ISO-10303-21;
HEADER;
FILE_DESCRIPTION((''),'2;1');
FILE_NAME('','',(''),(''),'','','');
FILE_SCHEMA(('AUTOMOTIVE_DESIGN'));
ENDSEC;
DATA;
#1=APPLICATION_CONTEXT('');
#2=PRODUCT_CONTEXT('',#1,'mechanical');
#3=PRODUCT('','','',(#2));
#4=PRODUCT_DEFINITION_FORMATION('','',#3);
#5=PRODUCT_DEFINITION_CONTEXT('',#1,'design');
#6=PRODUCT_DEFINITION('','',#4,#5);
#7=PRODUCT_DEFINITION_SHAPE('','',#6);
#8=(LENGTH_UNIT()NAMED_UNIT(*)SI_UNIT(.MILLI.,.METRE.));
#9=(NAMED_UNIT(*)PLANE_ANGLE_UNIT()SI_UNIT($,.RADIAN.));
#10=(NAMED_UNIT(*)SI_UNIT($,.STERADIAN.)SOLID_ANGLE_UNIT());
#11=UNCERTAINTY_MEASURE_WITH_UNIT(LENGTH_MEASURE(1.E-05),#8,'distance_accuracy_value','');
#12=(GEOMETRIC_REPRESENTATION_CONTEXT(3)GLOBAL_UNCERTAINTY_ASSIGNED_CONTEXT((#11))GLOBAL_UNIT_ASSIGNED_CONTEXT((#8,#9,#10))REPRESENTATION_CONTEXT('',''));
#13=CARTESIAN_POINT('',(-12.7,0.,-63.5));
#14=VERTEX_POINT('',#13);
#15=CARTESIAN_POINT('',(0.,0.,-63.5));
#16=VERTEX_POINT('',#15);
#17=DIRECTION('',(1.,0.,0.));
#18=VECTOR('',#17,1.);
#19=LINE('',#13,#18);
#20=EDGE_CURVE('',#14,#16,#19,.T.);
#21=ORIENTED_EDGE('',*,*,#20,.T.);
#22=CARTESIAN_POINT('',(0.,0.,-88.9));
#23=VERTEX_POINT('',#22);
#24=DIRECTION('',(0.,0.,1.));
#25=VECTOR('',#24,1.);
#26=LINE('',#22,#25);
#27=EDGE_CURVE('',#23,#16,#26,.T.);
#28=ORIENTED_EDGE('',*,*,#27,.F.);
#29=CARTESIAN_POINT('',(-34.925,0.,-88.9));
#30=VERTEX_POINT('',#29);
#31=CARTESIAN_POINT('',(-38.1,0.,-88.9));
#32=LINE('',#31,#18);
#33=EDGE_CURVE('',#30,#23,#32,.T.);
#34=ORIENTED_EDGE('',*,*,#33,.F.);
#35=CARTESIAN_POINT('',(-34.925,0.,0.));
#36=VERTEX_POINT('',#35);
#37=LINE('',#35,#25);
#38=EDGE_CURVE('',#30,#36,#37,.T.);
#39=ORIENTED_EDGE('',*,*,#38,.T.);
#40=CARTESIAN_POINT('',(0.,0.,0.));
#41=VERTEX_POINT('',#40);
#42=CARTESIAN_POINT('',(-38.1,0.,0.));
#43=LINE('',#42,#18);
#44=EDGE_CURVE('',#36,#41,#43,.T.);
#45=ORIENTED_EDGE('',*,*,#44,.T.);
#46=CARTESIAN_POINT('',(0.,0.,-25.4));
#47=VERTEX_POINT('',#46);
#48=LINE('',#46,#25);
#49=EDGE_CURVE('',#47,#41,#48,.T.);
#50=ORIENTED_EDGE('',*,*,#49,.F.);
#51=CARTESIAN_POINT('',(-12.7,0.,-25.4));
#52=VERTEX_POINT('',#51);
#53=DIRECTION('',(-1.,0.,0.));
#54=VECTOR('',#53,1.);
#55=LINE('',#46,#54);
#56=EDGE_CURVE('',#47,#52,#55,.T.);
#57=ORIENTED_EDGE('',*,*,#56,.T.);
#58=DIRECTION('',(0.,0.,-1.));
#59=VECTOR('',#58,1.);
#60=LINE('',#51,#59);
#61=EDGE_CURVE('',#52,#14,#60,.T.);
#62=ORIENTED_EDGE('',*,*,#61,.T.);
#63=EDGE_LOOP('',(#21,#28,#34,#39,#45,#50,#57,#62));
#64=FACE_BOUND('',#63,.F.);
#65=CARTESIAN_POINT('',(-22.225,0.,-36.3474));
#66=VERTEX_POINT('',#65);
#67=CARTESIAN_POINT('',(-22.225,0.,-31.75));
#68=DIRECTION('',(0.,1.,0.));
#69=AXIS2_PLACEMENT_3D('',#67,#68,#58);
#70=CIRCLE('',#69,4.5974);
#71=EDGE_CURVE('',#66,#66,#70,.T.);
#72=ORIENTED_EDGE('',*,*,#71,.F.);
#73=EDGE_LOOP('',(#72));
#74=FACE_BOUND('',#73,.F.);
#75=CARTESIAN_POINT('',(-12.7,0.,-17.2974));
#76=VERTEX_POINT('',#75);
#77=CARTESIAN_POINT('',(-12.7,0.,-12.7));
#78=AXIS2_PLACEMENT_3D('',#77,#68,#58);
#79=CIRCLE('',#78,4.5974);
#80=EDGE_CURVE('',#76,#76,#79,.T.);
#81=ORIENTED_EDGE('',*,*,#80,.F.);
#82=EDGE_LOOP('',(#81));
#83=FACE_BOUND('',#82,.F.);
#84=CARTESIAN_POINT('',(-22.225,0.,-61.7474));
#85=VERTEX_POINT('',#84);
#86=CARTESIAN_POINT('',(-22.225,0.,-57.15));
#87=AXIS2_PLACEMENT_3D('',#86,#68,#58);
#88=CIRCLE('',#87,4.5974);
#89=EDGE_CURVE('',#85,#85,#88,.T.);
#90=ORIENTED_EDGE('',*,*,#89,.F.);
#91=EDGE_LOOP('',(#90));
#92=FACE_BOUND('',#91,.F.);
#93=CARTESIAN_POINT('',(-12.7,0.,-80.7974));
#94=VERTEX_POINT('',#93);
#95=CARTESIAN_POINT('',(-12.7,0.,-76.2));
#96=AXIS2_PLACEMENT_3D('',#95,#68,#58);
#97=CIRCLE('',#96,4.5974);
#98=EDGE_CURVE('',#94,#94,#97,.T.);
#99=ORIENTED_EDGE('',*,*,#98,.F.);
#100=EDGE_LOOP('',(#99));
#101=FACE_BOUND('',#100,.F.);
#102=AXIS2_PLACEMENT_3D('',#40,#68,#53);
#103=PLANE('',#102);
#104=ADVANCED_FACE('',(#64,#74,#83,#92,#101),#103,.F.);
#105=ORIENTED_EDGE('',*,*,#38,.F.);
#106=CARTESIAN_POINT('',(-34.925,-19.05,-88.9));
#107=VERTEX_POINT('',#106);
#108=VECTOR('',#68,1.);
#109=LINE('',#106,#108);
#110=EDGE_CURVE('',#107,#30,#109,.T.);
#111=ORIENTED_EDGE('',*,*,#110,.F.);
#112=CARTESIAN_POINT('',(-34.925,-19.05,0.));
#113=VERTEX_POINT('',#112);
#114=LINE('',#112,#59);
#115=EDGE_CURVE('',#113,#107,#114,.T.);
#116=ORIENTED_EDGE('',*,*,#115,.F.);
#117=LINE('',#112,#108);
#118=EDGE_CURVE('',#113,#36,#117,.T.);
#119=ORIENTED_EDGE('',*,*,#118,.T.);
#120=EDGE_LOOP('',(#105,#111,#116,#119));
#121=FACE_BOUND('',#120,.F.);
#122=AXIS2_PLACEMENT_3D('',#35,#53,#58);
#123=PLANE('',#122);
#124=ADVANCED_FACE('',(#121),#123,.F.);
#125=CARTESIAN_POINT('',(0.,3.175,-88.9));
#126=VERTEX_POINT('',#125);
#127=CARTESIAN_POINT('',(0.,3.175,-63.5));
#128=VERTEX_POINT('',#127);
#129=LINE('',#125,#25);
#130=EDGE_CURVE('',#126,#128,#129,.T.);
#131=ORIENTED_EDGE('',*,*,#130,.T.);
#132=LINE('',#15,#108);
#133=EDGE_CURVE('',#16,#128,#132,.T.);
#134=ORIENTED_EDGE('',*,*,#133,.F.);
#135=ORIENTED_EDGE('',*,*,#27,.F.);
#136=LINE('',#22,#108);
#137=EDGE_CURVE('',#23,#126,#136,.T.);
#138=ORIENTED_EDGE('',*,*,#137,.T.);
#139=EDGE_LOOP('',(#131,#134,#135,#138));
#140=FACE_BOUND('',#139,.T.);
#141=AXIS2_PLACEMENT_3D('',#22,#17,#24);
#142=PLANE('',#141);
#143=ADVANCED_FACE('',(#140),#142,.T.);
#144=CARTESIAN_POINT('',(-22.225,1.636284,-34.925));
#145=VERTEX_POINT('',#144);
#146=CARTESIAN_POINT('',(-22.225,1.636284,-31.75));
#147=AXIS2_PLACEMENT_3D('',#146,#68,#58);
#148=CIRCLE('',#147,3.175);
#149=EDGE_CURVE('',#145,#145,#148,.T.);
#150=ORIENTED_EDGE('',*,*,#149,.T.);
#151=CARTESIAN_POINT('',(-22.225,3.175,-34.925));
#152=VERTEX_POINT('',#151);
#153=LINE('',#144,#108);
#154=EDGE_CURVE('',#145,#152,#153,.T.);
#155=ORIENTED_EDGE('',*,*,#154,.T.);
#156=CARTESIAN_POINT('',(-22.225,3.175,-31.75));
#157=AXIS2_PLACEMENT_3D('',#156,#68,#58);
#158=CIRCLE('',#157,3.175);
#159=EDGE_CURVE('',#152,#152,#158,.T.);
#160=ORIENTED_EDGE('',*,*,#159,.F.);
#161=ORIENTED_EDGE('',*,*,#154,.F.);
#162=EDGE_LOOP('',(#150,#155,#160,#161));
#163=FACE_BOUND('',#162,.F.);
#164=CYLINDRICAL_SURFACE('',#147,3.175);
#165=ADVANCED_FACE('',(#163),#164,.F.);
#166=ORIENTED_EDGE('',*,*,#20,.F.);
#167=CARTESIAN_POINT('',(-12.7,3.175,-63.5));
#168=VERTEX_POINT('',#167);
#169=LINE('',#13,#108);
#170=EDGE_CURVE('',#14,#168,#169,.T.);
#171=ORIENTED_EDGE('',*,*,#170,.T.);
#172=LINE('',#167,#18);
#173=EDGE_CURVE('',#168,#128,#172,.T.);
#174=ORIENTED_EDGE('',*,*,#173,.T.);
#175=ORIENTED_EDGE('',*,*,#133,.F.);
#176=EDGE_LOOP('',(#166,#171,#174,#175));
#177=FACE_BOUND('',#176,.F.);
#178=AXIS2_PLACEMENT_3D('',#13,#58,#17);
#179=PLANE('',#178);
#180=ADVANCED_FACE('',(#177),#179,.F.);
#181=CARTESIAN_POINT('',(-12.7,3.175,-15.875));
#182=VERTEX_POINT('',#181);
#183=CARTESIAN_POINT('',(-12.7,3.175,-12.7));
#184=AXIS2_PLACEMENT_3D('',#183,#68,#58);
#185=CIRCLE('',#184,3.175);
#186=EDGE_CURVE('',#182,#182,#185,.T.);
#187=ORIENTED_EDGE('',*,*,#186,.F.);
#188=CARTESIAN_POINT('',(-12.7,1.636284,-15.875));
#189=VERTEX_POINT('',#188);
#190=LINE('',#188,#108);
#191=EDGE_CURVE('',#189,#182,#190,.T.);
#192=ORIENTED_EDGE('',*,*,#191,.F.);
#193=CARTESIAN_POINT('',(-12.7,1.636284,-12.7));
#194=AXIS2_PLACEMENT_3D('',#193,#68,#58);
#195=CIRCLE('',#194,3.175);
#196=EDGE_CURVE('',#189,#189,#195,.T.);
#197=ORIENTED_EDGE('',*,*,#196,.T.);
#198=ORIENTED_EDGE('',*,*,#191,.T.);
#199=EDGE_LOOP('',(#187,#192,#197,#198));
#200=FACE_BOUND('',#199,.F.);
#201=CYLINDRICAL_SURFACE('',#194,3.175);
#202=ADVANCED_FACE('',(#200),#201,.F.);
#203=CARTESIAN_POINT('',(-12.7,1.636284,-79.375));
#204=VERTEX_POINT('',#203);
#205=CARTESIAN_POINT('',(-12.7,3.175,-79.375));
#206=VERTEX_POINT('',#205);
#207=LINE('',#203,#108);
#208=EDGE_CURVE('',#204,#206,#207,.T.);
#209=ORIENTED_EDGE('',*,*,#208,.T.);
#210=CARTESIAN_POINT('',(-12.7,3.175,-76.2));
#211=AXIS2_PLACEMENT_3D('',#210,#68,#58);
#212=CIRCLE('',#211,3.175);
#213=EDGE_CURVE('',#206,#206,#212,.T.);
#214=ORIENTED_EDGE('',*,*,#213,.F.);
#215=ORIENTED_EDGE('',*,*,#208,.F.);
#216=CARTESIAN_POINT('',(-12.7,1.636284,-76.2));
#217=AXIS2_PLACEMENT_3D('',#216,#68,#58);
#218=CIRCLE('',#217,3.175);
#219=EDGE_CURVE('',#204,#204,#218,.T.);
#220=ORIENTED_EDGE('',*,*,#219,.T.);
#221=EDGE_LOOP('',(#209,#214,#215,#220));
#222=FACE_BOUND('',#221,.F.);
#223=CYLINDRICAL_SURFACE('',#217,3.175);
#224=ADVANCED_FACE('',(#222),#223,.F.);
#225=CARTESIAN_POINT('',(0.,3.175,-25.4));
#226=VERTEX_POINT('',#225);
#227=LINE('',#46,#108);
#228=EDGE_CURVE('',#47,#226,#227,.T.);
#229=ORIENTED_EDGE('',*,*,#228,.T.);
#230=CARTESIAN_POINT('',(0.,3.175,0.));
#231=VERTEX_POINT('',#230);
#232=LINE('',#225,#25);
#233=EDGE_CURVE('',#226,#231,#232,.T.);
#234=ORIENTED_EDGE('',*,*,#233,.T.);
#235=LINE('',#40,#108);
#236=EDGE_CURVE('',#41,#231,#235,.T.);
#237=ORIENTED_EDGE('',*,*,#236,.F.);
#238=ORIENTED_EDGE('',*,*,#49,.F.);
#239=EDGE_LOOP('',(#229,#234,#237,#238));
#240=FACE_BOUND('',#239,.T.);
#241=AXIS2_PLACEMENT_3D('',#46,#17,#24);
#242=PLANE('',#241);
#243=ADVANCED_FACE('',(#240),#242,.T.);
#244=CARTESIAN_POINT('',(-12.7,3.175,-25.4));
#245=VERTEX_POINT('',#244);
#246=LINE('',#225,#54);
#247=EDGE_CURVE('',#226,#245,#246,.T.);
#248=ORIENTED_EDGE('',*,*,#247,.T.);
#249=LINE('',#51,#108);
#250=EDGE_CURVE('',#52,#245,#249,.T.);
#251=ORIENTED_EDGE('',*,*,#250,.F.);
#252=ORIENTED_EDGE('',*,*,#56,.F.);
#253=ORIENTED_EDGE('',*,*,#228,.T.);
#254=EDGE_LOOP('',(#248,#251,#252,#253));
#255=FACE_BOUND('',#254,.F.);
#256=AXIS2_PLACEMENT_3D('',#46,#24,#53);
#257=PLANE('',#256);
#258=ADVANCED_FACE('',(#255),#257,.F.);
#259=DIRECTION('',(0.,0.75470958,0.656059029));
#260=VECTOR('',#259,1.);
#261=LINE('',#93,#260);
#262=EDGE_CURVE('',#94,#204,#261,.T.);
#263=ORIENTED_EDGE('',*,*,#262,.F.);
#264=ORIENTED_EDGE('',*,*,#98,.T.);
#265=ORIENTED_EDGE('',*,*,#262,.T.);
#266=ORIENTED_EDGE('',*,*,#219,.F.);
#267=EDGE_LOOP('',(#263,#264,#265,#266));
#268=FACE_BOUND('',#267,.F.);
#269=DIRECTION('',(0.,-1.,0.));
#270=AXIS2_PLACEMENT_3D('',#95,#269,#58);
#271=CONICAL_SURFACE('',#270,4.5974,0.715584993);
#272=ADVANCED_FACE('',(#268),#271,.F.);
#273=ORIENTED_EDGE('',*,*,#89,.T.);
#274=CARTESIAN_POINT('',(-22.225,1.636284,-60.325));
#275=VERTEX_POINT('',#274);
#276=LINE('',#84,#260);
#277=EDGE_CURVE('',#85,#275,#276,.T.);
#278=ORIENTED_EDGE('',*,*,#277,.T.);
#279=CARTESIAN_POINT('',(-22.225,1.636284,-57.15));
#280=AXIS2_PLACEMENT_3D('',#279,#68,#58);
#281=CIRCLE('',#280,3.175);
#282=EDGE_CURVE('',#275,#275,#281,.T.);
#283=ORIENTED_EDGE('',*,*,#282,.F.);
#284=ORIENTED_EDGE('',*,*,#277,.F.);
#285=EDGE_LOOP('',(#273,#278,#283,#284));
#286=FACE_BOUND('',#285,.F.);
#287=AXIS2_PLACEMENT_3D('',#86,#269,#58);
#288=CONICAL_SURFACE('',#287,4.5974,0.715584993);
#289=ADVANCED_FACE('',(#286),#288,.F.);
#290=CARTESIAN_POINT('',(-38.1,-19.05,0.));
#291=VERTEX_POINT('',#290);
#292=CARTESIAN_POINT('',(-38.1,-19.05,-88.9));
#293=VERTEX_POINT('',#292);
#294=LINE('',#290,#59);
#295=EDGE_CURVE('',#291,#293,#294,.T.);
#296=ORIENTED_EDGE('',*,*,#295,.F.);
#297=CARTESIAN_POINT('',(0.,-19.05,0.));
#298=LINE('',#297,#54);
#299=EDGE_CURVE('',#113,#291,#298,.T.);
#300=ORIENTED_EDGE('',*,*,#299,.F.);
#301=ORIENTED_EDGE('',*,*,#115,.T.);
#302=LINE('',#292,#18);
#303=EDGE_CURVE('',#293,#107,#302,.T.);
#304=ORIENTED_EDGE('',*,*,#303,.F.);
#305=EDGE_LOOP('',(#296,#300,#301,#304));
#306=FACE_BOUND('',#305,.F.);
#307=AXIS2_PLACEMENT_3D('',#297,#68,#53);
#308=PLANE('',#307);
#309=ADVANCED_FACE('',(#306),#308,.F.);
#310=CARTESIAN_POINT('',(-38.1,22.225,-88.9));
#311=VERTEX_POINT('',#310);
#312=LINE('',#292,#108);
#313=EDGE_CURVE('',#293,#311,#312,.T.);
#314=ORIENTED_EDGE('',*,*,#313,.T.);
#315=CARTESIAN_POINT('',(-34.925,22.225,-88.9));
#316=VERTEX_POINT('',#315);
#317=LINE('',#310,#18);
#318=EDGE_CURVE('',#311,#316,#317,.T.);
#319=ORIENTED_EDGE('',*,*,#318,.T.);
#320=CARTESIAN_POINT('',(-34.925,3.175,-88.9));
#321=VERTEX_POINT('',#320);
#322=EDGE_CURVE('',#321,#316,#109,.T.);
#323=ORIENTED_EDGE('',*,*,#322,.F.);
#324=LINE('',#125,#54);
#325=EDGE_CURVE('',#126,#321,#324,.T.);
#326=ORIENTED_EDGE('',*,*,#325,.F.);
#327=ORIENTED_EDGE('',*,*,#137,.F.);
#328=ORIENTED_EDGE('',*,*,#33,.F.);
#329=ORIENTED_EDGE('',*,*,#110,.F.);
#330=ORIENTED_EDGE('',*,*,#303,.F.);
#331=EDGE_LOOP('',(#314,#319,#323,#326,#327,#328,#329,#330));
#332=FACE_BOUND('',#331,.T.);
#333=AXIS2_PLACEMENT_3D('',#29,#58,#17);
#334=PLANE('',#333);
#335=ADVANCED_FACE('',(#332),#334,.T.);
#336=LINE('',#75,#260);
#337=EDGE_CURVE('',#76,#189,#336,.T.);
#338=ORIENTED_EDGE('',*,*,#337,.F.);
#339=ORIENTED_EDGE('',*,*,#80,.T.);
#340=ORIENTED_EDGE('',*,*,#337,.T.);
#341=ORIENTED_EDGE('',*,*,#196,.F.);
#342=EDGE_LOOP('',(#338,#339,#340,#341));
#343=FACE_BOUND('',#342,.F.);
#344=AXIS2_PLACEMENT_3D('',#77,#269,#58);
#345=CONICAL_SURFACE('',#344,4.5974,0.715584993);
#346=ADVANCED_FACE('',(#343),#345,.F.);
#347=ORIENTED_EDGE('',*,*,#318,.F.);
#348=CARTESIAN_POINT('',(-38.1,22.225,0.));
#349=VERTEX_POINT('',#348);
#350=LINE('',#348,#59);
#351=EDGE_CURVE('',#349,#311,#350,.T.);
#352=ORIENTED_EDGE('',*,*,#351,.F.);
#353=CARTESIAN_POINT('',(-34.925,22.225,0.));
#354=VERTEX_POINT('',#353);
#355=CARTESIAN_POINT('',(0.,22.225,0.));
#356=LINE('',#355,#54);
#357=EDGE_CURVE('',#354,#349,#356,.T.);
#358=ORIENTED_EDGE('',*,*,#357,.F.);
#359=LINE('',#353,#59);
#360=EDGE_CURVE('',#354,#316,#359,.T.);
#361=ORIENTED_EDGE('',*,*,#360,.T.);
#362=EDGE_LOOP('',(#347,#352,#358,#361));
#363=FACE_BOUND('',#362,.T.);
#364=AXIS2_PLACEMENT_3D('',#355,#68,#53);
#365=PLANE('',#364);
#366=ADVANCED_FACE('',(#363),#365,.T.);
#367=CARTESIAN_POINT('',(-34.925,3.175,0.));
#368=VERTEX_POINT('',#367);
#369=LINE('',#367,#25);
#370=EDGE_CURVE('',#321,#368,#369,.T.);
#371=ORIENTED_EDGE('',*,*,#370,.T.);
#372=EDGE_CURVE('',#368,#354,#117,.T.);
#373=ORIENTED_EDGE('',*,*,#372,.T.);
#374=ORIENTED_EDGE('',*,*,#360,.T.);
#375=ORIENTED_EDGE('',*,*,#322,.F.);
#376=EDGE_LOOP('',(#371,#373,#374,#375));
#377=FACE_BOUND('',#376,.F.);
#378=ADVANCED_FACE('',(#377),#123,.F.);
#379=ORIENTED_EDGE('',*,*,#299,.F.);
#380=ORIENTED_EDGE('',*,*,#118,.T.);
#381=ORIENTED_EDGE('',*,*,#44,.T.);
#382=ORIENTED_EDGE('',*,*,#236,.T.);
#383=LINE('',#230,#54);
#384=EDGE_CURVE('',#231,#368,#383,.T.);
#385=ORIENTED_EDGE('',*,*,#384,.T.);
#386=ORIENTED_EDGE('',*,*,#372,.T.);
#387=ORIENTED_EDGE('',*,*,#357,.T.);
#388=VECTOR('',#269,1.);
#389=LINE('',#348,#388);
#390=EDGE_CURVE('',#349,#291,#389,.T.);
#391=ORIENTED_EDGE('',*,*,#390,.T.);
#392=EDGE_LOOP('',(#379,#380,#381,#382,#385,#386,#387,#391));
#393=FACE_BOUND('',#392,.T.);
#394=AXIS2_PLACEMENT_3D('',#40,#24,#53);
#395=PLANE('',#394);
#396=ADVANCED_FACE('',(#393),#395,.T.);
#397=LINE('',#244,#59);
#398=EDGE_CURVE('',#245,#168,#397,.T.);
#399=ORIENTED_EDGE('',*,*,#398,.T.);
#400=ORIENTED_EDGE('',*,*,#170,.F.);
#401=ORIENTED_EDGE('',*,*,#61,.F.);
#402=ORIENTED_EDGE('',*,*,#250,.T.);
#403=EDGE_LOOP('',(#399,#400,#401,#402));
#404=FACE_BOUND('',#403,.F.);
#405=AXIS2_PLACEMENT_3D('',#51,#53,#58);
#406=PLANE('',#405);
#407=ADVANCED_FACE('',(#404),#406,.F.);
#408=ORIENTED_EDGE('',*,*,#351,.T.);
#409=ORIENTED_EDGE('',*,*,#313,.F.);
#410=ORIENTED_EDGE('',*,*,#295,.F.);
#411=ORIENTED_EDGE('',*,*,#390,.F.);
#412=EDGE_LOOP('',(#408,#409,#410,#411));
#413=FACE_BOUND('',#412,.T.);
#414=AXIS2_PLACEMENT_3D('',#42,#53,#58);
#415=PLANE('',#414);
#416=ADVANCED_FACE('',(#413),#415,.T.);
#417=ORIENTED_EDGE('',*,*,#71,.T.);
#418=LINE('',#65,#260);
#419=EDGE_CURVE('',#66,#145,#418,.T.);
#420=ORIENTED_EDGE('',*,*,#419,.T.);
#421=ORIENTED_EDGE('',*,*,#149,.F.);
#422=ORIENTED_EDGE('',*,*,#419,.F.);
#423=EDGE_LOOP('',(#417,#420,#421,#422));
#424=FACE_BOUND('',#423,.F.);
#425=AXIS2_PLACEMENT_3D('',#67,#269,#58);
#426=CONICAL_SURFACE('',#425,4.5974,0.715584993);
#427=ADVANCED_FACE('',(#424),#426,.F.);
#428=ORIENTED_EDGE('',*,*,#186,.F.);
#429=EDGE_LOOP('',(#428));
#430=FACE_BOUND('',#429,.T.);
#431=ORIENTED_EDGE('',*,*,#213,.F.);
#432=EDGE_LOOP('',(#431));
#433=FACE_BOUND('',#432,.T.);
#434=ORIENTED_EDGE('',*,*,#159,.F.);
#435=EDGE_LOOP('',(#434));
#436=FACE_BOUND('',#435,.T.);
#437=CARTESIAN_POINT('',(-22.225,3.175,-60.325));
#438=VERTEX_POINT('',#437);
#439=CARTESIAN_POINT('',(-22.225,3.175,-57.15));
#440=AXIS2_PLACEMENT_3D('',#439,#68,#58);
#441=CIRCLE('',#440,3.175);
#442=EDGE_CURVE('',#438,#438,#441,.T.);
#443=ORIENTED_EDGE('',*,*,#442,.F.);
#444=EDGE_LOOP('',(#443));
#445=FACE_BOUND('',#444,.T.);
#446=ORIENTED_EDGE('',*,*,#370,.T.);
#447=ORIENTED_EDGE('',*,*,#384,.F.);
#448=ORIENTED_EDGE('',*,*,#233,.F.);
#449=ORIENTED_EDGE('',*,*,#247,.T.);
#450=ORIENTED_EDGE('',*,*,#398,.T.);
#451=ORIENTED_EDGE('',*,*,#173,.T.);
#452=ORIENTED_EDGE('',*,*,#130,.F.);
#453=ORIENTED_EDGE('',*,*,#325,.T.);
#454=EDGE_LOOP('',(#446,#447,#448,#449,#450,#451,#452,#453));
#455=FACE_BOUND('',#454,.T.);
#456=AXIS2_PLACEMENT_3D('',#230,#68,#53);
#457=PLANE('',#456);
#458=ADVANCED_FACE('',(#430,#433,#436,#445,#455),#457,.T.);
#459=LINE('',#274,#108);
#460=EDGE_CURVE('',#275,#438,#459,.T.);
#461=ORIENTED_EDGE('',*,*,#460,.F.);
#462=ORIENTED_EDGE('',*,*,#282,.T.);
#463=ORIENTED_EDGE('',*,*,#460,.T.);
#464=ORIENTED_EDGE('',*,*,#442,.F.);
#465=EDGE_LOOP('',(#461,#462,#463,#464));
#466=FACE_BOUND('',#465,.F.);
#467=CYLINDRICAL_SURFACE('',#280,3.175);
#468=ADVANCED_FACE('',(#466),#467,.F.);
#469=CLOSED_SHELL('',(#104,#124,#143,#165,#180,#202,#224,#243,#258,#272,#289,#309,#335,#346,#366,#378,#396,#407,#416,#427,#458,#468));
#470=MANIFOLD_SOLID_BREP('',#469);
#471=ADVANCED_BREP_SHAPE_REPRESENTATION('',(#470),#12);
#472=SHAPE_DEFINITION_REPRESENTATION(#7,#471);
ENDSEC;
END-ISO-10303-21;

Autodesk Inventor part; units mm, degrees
ref_plane "YZ Plane" through (0, 0, 0) normal (1, 0, 0) x (0, 1, 0)
ref_plane "XZ Plane" through (0, 0, 0) normal (0, 1, 0) x (-1, 0, 0)
ref_plane "XY Plane" through (0, 0, 0) normal (0, 0, 1) x (1, 0, 0)
sketch "Sketch1" plane through (0, 0, 0) normal (0, 1, 0) x (-1, 0, 0)
  line L0 (0, 0) -> (38.1, 0)
  line L1 (38.1, 0) -> (38.1, -88.9)
  line L2 (38.1, -88.9) -> (0, -88.9)
  line L3 (0, -25.4) -> (12.7, -25.4)
  line L4 (12.7, -25.4) -> (12.7, -63.5)
  line L5 (12.7, -63.5) -> (0, -63.5)
  line L6 (0, -88.9) -> (0, -63.5)
  line L7 (0, -25.4) -> (0, 0)
  line L8 (38.1, 0) -> (34.925, 0)
  line L9 (34.925, 0) -> (34.925, -88.9)
  line L10 (34.925, -88.9) -> (38.1, -88.9)
  line L11 (38.1, -88.9) -> (38.1, 0)
  point P0 (12.7, -12.7)
  point P1 (22.225, -31.75)
  point P2 (22.225, -57.15)
  point P3 (12.7, -76.2)
  dimension "d0" = 38.1
  dimension "d1" = 88.9
  dimension "d3" = 38.1
  dimension "d4" = 25.4
  dimension "d5" = 12.7
  dimension "d6" = 12.7
  dimension "d7" = 12.7
  dimension "d8" = 12.7
  dimension "d9" = 15.875
  dimension "d10" = 15.875
  dimension "d11" = 31.75
  dimension "d12" = 31.75
  dimension "d13" = 3.175
  dimension "d35" = 12.7
extrude "Extrusion1" add sketch "Sketch1" along normal blind 3.175
hole "Hole1" at (-12.7, 0, -12.7) at (-22.225, 0, -31.75) at (-22.225, 0, -57.15) at (-12.7, 0, -76.2) direction (0, 1, 0) diameter 6.35 depth 3.175 countersink diameter 9.1948 countersink angle 82
extrude "Extrusion2" add sketch "Sketch1" along normal blind 22.225 and the other way blind 19.05 contours L0 L1 L2 L9
thread "Thread1" size "1/4-20 UNC" class "2B" standard "ANSI Unified Screw Threads" full length
thread "Thread2" size "1/4-20 UNC" class "2B" standard "ANSI Unified Screw Threads" full length
thread "Thread3" size "1/4-20 UNC" class "2B" standard "ANSI Unified Screw Threads" full length
thread "Thread4" size "1/4-20 UNC" class "2B" standard "ANSI Unified Screw Threads" full length
equation "\"d9\" = d10"
properties part number "t 2 piece" material "Aluminum 6061"
